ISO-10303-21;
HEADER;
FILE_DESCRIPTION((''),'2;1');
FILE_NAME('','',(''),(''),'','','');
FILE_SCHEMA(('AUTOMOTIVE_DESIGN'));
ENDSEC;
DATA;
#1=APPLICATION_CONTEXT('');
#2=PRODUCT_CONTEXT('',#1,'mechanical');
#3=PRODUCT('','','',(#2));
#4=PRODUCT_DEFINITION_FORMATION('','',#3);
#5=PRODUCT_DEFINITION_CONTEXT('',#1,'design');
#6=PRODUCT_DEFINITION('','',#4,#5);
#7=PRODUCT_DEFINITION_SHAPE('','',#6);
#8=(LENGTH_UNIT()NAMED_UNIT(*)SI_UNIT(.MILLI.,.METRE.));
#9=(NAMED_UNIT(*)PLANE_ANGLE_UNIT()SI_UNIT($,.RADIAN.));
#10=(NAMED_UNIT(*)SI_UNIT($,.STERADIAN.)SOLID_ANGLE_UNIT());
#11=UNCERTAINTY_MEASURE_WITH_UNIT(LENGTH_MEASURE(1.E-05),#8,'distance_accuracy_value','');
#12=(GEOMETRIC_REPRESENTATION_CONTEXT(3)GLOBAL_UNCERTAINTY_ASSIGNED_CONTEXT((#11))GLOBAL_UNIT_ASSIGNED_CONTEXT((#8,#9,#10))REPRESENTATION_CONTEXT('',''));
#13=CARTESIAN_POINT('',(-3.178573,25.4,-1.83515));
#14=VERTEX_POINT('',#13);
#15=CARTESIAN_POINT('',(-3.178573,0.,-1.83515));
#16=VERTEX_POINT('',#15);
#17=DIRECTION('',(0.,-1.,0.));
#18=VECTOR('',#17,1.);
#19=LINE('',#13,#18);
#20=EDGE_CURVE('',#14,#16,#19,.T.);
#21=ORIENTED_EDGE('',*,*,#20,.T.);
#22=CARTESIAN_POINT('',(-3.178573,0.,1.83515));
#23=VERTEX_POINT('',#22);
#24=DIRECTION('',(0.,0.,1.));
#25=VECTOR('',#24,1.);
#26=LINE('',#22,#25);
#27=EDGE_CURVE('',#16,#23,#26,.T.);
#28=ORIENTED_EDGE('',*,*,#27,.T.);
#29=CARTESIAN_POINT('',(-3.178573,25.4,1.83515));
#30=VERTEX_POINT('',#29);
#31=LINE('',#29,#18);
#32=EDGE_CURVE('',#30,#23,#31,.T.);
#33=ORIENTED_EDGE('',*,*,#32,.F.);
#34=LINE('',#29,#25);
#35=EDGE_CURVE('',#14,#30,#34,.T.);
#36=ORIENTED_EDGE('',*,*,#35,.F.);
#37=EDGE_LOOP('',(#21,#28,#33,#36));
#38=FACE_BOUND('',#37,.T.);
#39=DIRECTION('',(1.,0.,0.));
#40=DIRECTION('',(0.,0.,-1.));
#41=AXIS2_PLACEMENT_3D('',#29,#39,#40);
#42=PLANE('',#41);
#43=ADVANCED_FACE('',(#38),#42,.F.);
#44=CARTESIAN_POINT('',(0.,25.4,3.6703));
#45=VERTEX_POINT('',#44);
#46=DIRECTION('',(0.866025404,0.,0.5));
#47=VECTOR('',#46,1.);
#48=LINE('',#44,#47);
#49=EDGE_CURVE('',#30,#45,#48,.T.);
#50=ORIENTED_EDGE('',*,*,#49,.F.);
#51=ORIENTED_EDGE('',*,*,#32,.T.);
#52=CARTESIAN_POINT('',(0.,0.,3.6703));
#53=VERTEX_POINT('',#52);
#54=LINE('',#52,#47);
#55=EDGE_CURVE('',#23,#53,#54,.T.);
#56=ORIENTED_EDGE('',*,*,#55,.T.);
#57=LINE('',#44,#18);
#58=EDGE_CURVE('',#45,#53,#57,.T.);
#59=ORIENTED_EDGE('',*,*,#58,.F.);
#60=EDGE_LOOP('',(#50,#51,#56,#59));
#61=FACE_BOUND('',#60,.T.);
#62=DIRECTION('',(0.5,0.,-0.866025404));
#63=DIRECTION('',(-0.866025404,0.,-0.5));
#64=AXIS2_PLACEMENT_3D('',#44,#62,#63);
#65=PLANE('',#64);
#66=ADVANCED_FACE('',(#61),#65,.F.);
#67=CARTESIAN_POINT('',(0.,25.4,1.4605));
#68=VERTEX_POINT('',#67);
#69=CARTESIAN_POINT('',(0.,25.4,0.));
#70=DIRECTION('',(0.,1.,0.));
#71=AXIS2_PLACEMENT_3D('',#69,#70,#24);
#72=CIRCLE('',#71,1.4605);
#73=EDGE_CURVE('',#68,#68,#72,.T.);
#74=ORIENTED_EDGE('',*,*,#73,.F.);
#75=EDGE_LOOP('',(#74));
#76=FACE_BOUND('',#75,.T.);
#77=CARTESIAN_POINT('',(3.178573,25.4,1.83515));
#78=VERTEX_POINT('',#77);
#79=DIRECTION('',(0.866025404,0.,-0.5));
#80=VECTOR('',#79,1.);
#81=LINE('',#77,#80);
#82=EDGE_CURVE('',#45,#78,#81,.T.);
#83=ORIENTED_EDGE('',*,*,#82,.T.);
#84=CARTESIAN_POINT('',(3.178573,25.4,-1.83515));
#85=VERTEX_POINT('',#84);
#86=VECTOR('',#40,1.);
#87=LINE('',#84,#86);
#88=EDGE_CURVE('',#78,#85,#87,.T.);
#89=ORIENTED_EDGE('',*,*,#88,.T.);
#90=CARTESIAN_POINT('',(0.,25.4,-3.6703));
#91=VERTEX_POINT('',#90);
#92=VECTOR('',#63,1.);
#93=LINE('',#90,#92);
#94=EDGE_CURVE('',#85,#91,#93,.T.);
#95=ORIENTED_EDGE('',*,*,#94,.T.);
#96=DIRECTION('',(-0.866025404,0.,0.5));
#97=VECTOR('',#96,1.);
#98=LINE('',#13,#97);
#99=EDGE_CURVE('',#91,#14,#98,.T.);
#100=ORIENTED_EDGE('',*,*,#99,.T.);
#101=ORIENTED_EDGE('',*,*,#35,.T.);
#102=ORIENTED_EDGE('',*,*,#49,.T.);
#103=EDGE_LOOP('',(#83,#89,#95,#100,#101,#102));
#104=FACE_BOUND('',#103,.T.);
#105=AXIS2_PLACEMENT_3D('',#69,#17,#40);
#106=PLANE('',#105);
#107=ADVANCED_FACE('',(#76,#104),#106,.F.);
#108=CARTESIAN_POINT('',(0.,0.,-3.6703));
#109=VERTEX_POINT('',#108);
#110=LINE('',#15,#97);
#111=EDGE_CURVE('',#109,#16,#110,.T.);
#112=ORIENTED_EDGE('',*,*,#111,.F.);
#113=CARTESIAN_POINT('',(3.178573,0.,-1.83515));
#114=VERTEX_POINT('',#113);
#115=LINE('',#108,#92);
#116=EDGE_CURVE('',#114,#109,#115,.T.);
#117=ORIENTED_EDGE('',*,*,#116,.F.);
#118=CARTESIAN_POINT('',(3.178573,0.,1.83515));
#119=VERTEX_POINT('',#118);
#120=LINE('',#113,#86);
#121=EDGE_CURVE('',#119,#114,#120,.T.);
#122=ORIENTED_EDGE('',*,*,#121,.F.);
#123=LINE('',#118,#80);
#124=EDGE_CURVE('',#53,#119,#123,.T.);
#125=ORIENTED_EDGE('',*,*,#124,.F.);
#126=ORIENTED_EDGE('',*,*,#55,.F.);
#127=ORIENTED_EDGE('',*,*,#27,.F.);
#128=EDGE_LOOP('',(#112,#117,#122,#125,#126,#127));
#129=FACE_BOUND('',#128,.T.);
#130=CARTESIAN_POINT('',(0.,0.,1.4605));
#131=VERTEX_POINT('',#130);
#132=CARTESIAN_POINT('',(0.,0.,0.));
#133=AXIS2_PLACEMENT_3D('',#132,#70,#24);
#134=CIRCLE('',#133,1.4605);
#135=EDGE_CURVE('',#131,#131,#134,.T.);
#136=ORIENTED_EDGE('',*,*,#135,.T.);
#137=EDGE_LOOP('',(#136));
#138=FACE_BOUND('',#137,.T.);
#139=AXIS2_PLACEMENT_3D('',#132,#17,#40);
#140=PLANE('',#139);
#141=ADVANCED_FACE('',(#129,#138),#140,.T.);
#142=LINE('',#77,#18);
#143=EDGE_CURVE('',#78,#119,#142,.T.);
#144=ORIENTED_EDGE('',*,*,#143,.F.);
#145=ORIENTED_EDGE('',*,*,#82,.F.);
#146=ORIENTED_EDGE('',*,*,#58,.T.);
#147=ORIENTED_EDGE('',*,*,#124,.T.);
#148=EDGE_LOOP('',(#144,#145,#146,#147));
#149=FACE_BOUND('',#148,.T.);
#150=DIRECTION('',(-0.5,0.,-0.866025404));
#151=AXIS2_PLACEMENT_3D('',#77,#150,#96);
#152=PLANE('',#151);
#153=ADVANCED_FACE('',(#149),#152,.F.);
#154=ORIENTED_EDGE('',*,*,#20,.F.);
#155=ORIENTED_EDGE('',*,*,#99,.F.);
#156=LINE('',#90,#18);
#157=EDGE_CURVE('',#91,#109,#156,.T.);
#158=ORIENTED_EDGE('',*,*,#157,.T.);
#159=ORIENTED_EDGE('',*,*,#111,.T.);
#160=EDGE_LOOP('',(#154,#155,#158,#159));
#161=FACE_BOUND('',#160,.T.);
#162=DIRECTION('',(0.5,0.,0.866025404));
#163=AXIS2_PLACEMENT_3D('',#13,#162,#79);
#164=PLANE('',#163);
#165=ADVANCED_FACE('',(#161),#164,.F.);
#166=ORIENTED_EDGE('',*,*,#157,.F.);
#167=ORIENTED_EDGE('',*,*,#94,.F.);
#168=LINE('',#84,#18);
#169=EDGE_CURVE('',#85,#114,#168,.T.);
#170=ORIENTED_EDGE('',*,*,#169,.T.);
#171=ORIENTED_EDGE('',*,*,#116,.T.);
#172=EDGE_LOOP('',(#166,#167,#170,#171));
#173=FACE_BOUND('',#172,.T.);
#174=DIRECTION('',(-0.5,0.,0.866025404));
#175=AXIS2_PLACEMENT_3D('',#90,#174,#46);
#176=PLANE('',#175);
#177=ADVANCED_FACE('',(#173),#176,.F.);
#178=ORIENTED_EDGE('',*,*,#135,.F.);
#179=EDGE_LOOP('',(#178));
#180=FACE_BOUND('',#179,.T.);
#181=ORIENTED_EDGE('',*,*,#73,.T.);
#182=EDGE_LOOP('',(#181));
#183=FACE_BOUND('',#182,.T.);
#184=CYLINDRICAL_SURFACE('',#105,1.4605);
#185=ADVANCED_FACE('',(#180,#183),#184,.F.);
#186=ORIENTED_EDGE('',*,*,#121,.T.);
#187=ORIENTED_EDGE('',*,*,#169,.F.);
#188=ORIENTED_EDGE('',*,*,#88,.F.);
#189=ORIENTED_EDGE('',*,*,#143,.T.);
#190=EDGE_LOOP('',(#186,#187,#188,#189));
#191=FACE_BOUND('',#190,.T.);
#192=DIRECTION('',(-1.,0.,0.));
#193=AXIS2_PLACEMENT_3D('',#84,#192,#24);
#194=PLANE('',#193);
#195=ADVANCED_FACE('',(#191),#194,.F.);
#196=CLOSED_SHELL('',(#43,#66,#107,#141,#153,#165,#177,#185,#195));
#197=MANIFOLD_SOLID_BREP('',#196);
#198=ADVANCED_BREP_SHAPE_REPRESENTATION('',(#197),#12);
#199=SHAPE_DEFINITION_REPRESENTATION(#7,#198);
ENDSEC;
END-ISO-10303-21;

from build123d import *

# Parameters (mm, degrees)
SKETCH1_R           = 1.4605
BOSS_EXTRUDE1_DEPTH = 25.4


with BuildPart() as part:
    # Sketch1 → Boss-Extrude1 (new body)
    with BuildSketch(Plane(origin=(0, 0, 0), x_dir=(1, 0, 0), z_dir=(0, 1, 0))):
        Polygon((-3.17857304, 1.83515), (0, 3.6703), (3.17857304, 1.83515), (3.17857304, -1.83515), (0, -3.6703), (-3.17857304, -1.83515), align=None)
        with Locations(Location((0, 0, 0), (0, 0, 270))):
            Circle(SKETCH1_R, mode=Mode.SUBTRACT)
    extrude(amount=BOSS_EXTRUDE1_DEPTH)


solid = part.part
